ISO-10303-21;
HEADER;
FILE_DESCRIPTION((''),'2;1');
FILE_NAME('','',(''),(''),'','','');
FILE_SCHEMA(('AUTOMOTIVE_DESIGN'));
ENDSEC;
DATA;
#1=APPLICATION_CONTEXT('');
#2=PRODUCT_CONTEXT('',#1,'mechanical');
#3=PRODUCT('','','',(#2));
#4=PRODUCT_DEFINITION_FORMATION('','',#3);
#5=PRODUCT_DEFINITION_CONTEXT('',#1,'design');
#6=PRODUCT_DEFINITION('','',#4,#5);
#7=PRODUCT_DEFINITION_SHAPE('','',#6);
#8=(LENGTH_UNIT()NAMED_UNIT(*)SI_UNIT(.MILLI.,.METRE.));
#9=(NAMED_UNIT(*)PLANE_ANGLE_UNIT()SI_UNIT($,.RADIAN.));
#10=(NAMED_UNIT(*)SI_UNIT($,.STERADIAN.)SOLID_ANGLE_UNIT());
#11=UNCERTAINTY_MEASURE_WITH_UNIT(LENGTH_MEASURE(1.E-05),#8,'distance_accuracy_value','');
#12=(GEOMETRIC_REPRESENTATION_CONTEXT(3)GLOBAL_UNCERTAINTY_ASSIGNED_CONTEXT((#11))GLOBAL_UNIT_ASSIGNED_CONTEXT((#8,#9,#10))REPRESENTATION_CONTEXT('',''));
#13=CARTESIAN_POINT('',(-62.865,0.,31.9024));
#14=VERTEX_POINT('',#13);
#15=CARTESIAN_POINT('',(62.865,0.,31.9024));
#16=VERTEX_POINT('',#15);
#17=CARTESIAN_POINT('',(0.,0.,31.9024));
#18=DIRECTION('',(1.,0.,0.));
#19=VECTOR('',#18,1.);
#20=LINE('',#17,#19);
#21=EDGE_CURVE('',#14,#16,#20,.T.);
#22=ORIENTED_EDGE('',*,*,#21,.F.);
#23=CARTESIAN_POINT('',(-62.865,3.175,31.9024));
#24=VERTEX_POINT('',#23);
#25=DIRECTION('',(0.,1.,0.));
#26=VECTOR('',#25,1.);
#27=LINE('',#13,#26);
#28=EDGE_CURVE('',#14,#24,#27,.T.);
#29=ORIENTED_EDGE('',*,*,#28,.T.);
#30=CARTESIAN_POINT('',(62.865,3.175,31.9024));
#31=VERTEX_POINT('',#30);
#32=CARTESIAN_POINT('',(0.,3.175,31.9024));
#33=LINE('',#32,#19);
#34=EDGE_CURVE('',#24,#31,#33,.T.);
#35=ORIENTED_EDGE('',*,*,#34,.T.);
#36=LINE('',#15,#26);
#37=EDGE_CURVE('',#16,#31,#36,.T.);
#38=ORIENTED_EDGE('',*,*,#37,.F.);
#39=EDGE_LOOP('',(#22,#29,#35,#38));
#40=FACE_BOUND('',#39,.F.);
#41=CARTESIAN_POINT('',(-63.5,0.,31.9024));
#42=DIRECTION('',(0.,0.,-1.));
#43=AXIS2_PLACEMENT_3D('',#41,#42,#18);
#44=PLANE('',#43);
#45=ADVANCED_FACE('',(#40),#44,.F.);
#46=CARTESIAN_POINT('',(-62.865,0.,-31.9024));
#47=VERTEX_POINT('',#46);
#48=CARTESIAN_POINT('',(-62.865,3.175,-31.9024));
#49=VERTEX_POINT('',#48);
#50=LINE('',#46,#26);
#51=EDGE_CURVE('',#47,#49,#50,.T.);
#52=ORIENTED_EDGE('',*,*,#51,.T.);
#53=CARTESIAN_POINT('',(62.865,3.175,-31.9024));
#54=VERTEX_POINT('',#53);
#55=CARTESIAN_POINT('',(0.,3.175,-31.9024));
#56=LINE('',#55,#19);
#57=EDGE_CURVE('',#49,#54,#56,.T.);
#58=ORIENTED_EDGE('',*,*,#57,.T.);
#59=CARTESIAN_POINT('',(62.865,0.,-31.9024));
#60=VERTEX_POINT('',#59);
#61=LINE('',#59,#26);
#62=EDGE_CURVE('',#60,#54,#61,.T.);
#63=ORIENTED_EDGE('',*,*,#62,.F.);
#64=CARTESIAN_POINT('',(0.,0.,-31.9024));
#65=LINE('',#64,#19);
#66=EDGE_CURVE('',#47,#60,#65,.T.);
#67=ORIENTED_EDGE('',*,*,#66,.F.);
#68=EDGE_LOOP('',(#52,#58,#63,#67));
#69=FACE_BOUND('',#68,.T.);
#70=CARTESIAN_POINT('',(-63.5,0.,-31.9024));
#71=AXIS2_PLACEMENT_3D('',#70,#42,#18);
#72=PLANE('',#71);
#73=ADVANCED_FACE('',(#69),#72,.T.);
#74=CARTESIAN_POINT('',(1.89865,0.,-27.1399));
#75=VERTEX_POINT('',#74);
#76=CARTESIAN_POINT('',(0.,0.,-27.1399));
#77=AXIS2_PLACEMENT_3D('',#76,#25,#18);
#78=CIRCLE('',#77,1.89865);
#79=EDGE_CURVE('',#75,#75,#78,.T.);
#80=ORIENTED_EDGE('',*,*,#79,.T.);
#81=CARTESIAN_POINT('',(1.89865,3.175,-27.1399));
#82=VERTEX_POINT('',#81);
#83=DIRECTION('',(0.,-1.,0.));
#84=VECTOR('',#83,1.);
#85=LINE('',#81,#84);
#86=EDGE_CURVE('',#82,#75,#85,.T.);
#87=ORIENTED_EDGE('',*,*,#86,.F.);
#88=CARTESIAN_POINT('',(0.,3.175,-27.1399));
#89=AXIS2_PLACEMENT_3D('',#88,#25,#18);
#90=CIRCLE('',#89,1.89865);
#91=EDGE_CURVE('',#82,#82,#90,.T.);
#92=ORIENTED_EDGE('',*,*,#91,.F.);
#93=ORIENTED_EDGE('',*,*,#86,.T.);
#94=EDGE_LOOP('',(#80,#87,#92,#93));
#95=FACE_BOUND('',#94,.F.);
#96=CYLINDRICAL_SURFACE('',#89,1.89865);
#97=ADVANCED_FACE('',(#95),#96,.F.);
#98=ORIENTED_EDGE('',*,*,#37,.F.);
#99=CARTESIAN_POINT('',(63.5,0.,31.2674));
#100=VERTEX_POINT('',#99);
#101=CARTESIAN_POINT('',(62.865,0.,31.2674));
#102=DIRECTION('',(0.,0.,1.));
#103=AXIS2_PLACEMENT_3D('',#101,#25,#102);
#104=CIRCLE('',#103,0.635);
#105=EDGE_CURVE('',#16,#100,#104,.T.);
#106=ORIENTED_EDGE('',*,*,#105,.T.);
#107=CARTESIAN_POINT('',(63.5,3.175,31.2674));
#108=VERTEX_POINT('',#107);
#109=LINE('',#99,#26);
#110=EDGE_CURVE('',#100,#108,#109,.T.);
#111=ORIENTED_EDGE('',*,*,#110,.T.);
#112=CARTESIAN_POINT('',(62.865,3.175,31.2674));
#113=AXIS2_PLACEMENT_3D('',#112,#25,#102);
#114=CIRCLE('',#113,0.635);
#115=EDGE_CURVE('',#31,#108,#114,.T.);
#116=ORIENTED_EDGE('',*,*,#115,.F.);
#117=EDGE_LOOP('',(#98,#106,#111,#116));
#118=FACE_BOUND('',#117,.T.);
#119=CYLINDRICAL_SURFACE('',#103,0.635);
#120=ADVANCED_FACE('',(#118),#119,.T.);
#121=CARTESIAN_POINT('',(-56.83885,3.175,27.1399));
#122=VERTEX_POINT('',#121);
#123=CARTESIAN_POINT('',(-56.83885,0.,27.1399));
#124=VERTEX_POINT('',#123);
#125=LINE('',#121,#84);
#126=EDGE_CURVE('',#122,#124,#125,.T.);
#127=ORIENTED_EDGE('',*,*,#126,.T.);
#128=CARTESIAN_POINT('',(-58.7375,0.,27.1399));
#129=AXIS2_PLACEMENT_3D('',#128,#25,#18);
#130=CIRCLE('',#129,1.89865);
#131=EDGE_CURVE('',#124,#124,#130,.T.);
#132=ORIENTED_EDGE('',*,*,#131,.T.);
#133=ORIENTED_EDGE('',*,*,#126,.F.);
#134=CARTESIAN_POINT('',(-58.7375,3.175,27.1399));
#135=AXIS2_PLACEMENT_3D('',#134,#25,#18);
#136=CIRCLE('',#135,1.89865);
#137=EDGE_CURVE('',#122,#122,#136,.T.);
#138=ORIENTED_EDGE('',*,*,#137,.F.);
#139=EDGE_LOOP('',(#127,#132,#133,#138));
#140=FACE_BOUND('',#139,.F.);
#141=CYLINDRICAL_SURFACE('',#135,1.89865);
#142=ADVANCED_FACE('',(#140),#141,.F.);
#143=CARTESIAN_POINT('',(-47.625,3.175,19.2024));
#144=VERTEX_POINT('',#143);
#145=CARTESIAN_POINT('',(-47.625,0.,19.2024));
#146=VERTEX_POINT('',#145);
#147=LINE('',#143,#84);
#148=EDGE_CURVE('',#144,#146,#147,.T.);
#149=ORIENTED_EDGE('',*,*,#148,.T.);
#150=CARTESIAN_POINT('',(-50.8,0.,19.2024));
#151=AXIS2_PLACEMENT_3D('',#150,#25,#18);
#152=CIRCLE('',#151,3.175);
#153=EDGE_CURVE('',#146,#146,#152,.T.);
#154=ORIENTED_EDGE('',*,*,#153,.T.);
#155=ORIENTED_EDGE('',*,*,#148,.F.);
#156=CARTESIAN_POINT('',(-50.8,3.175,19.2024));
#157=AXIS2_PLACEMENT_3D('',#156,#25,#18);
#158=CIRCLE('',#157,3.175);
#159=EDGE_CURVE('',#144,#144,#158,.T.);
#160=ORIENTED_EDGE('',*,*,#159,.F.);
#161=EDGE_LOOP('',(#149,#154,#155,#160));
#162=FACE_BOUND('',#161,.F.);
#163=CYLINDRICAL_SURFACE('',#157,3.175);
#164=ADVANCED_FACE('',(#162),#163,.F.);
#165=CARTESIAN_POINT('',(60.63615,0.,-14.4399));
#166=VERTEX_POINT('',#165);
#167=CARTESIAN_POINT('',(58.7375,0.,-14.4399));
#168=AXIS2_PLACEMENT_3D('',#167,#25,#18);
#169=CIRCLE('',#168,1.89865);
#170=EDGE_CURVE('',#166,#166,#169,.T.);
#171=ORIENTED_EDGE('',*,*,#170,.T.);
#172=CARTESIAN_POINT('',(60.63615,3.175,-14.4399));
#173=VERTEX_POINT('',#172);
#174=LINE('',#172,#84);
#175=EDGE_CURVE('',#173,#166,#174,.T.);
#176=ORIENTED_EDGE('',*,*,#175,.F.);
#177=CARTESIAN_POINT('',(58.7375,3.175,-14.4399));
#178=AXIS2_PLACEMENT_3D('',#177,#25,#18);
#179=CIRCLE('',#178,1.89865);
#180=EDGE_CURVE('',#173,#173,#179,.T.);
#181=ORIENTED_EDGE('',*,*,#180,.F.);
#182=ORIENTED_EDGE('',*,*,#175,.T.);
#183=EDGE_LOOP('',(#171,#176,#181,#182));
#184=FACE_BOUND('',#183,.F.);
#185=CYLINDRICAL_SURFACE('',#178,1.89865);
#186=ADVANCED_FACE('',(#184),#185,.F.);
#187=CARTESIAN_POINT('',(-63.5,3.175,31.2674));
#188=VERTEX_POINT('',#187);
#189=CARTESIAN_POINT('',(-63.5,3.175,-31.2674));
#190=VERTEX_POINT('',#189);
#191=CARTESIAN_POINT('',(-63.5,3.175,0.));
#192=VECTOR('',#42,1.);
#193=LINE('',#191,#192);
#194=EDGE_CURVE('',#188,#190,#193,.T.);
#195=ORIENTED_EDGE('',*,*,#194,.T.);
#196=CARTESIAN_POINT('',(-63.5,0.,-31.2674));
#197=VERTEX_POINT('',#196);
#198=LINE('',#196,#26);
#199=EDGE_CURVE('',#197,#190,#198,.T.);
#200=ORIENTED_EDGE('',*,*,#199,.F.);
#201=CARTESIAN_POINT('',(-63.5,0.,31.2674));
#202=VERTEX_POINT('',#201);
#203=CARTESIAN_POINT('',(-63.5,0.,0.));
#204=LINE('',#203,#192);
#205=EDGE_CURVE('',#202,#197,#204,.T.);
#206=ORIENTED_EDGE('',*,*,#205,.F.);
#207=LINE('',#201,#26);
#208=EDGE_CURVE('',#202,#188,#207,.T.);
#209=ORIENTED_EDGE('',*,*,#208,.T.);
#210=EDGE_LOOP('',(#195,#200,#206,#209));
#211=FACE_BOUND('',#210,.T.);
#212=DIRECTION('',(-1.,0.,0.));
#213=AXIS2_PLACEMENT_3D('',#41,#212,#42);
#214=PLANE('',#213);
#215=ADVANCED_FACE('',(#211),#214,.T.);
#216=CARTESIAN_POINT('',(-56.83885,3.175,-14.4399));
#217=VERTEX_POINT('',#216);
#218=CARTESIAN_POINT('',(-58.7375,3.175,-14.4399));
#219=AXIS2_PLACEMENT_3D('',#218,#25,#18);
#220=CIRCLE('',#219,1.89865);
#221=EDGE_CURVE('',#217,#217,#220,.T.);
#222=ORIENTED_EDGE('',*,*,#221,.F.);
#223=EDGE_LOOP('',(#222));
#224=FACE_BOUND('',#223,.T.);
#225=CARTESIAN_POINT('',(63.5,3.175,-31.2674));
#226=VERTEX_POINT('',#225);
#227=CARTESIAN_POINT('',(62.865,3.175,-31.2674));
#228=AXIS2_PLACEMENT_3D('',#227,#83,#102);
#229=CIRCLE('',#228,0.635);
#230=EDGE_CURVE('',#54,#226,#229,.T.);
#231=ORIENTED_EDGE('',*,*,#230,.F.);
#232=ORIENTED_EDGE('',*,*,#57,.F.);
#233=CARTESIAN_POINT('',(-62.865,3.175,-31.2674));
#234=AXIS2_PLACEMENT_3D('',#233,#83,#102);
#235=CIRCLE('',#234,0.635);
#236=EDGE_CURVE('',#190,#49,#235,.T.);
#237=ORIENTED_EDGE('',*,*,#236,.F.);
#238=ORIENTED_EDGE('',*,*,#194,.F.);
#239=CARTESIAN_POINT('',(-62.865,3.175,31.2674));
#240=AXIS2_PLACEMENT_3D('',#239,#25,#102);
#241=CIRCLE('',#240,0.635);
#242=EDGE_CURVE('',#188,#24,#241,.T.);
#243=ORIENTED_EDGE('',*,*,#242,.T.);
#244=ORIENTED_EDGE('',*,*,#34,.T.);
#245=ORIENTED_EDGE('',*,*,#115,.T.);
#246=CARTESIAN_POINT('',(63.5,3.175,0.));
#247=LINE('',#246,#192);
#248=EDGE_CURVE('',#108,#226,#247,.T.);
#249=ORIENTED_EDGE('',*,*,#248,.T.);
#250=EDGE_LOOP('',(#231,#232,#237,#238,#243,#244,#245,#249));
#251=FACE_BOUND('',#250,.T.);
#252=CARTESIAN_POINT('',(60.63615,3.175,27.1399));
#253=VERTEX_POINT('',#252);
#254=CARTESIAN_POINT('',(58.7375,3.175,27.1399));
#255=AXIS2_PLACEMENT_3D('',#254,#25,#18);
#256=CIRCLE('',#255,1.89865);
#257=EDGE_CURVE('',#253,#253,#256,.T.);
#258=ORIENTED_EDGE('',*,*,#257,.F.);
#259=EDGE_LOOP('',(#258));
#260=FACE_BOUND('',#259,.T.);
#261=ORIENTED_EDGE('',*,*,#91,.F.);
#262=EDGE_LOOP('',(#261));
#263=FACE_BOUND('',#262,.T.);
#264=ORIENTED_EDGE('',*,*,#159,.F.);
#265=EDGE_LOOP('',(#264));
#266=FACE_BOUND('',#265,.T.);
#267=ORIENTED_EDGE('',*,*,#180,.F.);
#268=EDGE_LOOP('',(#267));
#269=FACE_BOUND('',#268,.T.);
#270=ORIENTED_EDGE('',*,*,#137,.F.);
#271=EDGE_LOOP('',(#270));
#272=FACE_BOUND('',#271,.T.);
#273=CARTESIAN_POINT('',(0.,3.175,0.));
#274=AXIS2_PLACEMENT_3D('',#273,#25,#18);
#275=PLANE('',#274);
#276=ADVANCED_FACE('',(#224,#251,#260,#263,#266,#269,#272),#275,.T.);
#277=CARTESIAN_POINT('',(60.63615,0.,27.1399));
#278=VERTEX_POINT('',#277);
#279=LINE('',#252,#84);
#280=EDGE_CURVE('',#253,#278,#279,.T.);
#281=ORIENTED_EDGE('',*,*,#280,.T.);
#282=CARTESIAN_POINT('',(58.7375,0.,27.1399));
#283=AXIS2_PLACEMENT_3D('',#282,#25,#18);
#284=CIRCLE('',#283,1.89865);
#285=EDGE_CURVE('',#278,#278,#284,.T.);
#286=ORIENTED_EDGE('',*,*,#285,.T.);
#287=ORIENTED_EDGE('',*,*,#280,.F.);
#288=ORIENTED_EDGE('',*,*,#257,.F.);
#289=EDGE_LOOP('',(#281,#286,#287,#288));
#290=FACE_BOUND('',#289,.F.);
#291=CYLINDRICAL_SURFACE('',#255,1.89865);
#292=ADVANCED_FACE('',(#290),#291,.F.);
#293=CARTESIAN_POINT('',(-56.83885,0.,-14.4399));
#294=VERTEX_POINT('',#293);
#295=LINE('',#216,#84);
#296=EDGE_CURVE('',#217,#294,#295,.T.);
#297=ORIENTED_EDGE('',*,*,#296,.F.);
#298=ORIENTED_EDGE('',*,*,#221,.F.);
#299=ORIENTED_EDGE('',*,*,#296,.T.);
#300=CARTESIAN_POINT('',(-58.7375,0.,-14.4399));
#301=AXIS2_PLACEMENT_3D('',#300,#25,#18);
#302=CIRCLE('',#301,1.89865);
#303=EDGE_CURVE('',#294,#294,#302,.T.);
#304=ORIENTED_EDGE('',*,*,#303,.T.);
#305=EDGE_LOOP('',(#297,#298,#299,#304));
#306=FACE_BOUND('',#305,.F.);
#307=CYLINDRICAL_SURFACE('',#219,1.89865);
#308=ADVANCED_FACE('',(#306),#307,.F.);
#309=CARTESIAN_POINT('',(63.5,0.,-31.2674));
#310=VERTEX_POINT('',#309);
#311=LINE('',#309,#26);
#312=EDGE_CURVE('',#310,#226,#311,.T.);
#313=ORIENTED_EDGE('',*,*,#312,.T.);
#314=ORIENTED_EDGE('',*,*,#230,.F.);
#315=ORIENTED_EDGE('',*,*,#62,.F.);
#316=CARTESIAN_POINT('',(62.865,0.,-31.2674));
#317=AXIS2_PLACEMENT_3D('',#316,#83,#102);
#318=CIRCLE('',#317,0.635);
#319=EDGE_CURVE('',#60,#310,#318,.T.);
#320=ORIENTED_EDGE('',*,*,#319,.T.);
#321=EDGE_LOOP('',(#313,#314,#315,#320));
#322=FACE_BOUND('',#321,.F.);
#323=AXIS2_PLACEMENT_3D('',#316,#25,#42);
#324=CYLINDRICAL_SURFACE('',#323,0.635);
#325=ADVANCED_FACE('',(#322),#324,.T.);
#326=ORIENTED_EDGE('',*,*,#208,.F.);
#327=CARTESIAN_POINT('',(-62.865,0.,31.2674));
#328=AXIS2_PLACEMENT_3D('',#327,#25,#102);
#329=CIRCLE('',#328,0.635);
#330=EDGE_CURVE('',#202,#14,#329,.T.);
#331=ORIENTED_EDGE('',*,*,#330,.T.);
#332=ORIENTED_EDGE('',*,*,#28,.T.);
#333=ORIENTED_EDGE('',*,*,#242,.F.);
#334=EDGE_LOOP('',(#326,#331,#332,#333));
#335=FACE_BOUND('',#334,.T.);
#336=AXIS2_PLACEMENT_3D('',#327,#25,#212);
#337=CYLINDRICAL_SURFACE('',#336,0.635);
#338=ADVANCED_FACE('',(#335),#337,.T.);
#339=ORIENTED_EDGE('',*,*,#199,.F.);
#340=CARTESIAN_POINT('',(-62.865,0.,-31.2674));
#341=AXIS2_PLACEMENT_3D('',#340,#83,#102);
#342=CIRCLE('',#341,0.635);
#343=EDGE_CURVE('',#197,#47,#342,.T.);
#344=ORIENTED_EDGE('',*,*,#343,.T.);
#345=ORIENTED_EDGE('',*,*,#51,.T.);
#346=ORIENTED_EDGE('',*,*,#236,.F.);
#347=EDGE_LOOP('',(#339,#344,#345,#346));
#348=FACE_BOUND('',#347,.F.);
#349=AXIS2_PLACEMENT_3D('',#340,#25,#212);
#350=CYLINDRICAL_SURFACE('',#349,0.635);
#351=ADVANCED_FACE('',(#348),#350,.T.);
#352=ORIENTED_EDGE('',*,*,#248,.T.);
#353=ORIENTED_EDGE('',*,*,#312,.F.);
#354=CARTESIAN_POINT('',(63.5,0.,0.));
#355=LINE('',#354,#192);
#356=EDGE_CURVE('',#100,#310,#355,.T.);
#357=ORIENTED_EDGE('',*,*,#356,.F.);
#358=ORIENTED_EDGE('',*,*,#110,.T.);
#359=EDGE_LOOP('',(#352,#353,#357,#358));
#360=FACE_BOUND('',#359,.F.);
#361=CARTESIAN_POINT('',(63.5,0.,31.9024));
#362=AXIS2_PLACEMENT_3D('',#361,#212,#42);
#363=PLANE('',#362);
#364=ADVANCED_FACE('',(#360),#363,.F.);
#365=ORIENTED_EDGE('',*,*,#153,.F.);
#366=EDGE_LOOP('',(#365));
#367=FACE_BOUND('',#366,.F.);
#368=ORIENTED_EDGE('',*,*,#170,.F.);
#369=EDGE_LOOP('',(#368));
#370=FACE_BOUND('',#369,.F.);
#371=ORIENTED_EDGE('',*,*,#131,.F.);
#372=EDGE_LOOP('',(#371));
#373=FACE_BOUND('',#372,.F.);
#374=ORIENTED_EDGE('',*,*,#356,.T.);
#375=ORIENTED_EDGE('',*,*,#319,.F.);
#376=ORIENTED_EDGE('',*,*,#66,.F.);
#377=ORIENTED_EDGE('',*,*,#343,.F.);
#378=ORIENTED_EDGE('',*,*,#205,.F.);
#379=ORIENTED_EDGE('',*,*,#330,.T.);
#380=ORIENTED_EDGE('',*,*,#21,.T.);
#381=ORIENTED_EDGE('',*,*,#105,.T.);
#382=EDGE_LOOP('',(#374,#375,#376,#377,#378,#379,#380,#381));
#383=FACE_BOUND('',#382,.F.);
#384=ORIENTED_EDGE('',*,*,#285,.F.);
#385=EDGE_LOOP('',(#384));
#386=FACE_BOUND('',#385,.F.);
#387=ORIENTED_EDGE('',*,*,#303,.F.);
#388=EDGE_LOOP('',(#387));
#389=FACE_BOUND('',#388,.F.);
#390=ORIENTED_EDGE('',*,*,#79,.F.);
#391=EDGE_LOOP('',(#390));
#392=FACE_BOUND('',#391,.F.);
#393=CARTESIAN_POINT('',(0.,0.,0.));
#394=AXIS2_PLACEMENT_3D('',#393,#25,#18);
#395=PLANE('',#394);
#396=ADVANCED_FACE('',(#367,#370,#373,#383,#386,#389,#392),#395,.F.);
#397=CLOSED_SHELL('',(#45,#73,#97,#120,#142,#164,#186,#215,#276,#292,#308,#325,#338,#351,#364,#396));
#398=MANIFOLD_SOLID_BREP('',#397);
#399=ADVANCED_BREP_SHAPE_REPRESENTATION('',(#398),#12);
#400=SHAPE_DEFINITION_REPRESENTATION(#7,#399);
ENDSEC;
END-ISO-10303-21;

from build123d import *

# Parameters (mm, degrees)
SKETCH1_W           = 127
SKETCH1_H           = 63.8048
BOSS_EXTRUDE1_DEPTH = 3.175
SKETCH4_R           = 1.89865
CUT_EXTRUDE3_DEPTH  = 4.175
SKETCH5_R           = 3.175
CUT_EXTRUDE4_DEPTH  = 4.175
FILLET2_R           = 0.635


with BuildPart() as part:
    # Sketch1 → Boss-Extrude1 (new body)
    with BuildSketch(Plane(origin=(0, 0, 0), x_dir=(1, 0, 0), z_dir=(0, 1, 0))):
        Rectangle(SKETCH1_W, SKETCH1_H)
    extrude(amount=BOSS_EXTRUDE1_DEPTH)

    # Sketch4 → Cut-Extrude3 (cut, through all)
    with BuildSketch(Plane(origin=(0, 3.175, 0), x_dir=(1, 0, 0), z_dir=(0, 1, 0))):
        with Locations((-58.7375, -27.1399)):
            Circle(SKETCH4_R)
        with Locations((-58.7375, 14.4399)):
            Circle(SKETCH4_R)
        with Locations((58.7375, 14.4399)):
            Circle(SKETCH4_R)
        with Locations((58.7375, -27.1399)):
            Circle(SKETCH4_R)
        with Locations((0, 27.1399)):
            Circle(SKETCH4_R)
    extrude(amount=-CUT_EXTRUDE3_DEPTH, mode=Mode.SUBTRACT)

    # Sketch5 → Cut-Extrude4 (cut, through all)
    with BuildSketch(Plane(origin=(0, 3.175, 0), x_dir=(1, 0, 0), z_dir=(0, 1, 0))):
        with Locations((-50.8, -19.2024)):
            Circle(SKETCH5_R)
    extrude(amount=-CUT_EXTRUDE4_DEPTH, mode=Mode.SUBTRACT)

    # Fillet2
    fillet2_edges = [part.edges().sort_by_distance(p)[0] for p in [
        (63.5, 1.5875, 31.9024),
        (-63.5, 1.5875, 31.9024),
        (-63.5, 1.5875, -31.9024),
        (63.5, 1.5875, -31.9024),
    ]]
    fillet(fillet2_edges, radius=FILLET2_R)


solid = part.part
